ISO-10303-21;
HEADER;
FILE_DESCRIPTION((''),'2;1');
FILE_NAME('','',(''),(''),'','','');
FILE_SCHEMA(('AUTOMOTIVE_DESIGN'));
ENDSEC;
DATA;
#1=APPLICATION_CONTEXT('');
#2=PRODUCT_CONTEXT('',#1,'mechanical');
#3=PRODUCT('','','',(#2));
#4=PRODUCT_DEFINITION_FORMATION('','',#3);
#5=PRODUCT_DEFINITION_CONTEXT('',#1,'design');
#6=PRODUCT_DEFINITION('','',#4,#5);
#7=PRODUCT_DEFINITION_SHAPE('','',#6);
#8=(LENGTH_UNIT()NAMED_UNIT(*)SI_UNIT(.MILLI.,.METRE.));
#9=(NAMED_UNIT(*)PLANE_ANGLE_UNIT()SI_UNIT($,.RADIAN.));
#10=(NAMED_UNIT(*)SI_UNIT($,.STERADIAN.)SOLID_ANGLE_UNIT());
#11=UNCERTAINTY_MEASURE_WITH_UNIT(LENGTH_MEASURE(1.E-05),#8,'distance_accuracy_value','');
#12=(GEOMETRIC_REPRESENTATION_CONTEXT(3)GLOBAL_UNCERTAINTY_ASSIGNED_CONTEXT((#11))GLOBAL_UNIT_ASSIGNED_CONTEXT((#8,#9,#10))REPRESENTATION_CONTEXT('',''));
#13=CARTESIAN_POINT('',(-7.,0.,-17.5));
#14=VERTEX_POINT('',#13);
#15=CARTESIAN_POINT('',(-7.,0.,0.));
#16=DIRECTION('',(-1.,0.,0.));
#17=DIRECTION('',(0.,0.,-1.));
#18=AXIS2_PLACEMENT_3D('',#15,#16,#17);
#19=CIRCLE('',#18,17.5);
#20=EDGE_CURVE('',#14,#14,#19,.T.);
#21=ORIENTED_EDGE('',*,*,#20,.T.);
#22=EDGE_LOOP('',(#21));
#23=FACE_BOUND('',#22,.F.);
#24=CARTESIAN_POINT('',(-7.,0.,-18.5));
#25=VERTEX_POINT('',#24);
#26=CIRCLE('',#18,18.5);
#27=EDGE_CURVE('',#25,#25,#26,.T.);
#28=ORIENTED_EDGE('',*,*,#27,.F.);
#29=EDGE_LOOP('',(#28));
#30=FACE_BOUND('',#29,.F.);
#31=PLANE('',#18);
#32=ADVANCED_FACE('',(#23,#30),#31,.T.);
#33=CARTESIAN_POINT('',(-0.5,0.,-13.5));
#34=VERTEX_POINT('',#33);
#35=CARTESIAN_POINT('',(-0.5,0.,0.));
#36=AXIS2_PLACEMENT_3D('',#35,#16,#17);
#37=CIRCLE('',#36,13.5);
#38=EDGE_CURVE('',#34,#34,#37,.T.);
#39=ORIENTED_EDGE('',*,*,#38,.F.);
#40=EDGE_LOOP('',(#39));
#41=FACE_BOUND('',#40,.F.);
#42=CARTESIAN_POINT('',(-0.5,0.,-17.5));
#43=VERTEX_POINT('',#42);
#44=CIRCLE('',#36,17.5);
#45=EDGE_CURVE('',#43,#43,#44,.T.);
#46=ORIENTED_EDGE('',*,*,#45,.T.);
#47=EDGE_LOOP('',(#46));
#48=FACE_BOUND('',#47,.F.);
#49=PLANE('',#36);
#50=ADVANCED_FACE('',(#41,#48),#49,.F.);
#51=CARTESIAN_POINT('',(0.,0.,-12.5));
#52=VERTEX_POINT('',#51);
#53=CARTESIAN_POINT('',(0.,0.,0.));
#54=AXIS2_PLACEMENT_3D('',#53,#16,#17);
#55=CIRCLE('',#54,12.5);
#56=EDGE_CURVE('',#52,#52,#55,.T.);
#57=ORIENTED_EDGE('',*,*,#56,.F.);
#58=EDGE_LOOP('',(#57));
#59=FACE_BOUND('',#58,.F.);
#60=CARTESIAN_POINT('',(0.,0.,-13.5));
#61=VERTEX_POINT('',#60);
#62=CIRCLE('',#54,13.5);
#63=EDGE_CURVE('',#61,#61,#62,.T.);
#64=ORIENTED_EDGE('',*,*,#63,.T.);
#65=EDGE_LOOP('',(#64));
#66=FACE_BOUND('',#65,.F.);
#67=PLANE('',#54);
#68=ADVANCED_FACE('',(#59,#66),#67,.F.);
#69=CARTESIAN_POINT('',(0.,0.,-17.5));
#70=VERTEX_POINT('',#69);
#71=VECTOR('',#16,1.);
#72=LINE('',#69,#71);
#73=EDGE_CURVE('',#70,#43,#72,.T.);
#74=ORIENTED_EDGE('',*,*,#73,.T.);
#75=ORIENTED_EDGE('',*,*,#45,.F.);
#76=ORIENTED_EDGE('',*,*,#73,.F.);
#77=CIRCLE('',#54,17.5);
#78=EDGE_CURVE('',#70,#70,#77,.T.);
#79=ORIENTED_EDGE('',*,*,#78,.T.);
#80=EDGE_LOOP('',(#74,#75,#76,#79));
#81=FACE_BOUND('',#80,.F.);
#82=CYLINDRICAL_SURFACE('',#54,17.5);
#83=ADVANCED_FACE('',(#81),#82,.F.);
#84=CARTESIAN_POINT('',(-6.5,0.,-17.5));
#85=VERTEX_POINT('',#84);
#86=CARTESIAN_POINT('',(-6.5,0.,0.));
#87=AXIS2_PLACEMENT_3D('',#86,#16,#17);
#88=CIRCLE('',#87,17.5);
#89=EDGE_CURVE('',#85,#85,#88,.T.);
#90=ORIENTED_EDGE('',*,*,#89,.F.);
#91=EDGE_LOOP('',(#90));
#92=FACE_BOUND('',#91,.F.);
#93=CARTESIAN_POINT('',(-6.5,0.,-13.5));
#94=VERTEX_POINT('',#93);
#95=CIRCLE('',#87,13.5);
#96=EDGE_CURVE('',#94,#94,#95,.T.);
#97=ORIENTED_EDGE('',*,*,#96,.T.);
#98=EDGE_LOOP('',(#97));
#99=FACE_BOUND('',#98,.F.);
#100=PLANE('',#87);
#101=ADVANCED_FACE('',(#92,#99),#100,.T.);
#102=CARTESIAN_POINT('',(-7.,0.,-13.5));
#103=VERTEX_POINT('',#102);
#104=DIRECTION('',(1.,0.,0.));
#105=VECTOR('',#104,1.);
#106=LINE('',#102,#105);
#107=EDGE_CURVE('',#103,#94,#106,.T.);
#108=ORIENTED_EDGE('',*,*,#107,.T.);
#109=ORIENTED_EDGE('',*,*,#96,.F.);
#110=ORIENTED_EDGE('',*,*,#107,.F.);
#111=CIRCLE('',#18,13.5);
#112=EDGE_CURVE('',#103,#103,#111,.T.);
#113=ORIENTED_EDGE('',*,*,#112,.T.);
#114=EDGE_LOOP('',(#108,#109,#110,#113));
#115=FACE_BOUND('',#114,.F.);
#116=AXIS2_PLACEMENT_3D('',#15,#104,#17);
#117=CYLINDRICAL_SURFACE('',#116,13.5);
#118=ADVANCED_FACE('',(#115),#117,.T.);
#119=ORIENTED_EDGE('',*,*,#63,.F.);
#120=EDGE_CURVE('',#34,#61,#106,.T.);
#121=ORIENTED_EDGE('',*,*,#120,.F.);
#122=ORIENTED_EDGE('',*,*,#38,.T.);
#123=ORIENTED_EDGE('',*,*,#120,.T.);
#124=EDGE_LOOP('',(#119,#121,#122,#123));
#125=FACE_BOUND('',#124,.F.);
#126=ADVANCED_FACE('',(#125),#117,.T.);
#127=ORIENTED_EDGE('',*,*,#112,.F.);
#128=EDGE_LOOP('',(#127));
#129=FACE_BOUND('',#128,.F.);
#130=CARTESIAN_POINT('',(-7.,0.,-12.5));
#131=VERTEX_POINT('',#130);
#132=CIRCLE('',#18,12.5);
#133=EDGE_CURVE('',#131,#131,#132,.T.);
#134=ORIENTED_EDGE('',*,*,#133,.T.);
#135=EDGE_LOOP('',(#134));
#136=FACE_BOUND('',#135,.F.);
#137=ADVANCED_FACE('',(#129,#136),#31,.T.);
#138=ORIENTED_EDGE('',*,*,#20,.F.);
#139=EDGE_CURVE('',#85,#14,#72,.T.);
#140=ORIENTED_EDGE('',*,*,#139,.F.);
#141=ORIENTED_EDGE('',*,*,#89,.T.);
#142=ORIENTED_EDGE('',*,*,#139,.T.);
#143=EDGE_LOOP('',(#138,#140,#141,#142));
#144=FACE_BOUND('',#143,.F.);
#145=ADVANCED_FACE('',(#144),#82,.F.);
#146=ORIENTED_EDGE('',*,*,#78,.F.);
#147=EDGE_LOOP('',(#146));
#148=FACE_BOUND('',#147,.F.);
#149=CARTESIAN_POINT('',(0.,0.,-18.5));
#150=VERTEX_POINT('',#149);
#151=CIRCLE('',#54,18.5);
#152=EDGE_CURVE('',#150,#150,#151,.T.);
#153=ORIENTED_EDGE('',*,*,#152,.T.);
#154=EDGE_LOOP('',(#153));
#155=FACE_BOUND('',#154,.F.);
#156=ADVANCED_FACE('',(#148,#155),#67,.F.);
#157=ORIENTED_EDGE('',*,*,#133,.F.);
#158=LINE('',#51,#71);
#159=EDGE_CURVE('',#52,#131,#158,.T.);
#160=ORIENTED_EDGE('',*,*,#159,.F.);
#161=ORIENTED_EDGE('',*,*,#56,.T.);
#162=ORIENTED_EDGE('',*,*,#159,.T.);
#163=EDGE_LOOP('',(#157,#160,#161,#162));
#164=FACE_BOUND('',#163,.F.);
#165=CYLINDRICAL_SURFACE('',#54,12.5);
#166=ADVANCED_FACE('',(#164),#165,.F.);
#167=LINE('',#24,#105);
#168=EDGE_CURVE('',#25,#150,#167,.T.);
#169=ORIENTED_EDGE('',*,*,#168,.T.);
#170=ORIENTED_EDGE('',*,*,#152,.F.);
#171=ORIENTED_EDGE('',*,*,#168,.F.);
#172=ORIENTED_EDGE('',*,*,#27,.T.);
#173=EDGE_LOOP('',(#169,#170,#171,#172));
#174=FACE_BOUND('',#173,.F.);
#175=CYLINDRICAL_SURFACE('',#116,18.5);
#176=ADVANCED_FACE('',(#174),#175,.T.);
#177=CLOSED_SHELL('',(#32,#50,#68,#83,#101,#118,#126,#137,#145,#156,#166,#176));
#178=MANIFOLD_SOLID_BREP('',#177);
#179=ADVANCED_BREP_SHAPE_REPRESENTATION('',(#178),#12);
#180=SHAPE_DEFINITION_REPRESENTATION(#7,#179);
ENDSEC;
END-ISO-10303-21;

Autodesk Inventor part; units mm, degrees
ref_plane "YZ Plane" through (0, 0, 0) normal (1, 0, 0) x (0, 1, 0)
ref_plane "XZ Plane" through (0, 0, 0) normal (0, 1, 0) x (-1, 0, 0)
ref_plane "XY Plane" through (0, 0, 0) normal (0, 0, 1) x (1, 0, 0)
sketch "Sketch1" plane through (0, 0, 0) normal (0, 1, 0) x (-1, 0, 0)
  line L0 (0, 0) -> (0, -12.5) construction
  line L1 (0, -12.5) -> (7, -12.5)
  line L2 (7, -12.5) -> (7, -13.5)
  line L3 (7, -13.5) -> (0, -13.5)
  line L4 (0, -13.5) -> (0, -12.5)
  line L5 (3.5, -13.5) -> (3.5, -17.5) construction
  line L6 (0, -17.5) -> (7, -17.5)
  line L7 (7, -17.5) -> (7, -18.5)
  line L8 (7, -18.5) -> (0, -18.5)
  line L9 (0, -18.5) -> (0, -17.5)
  line L10 (0, 0) -> (7, 0)
  line L11 (0.5, -13.5) -> (6.5, -13.5)
  line L12 (6.5, -13.5) -> (6.5, -17.5)
  line L13 (6.5, -17.5) -> (0.5, -17.5)
  line L14 (0.5, -17.5) -> (0.5, -13.5)
  line L15 (0.5, -13.5) -> (6.5, -17.5) construction
  line L16 (6.5, -13.5) -> (0.5, -17.5) construction
  point P0 (3.5, -15.5)
  point P1 (0.5, -17.5)
  dimension "d0" = 12.5
  dimension "d1" = 7
  dimension "d2" = 1
  dimension "d3" = 4
  dimension "d4" = 7
  dimension "d5" = 1
  dimension "d6" = 7
  dimension "d7" = 6
  dimension "d8" = 4
revolve "Revolution1" add sketch "Sketch1" angle 360 about axis through (0, 0, 0) along (-1, 0, 0)
equation "\"d8\" = d3"
properties part number "6805" material "Stainless Steel"
